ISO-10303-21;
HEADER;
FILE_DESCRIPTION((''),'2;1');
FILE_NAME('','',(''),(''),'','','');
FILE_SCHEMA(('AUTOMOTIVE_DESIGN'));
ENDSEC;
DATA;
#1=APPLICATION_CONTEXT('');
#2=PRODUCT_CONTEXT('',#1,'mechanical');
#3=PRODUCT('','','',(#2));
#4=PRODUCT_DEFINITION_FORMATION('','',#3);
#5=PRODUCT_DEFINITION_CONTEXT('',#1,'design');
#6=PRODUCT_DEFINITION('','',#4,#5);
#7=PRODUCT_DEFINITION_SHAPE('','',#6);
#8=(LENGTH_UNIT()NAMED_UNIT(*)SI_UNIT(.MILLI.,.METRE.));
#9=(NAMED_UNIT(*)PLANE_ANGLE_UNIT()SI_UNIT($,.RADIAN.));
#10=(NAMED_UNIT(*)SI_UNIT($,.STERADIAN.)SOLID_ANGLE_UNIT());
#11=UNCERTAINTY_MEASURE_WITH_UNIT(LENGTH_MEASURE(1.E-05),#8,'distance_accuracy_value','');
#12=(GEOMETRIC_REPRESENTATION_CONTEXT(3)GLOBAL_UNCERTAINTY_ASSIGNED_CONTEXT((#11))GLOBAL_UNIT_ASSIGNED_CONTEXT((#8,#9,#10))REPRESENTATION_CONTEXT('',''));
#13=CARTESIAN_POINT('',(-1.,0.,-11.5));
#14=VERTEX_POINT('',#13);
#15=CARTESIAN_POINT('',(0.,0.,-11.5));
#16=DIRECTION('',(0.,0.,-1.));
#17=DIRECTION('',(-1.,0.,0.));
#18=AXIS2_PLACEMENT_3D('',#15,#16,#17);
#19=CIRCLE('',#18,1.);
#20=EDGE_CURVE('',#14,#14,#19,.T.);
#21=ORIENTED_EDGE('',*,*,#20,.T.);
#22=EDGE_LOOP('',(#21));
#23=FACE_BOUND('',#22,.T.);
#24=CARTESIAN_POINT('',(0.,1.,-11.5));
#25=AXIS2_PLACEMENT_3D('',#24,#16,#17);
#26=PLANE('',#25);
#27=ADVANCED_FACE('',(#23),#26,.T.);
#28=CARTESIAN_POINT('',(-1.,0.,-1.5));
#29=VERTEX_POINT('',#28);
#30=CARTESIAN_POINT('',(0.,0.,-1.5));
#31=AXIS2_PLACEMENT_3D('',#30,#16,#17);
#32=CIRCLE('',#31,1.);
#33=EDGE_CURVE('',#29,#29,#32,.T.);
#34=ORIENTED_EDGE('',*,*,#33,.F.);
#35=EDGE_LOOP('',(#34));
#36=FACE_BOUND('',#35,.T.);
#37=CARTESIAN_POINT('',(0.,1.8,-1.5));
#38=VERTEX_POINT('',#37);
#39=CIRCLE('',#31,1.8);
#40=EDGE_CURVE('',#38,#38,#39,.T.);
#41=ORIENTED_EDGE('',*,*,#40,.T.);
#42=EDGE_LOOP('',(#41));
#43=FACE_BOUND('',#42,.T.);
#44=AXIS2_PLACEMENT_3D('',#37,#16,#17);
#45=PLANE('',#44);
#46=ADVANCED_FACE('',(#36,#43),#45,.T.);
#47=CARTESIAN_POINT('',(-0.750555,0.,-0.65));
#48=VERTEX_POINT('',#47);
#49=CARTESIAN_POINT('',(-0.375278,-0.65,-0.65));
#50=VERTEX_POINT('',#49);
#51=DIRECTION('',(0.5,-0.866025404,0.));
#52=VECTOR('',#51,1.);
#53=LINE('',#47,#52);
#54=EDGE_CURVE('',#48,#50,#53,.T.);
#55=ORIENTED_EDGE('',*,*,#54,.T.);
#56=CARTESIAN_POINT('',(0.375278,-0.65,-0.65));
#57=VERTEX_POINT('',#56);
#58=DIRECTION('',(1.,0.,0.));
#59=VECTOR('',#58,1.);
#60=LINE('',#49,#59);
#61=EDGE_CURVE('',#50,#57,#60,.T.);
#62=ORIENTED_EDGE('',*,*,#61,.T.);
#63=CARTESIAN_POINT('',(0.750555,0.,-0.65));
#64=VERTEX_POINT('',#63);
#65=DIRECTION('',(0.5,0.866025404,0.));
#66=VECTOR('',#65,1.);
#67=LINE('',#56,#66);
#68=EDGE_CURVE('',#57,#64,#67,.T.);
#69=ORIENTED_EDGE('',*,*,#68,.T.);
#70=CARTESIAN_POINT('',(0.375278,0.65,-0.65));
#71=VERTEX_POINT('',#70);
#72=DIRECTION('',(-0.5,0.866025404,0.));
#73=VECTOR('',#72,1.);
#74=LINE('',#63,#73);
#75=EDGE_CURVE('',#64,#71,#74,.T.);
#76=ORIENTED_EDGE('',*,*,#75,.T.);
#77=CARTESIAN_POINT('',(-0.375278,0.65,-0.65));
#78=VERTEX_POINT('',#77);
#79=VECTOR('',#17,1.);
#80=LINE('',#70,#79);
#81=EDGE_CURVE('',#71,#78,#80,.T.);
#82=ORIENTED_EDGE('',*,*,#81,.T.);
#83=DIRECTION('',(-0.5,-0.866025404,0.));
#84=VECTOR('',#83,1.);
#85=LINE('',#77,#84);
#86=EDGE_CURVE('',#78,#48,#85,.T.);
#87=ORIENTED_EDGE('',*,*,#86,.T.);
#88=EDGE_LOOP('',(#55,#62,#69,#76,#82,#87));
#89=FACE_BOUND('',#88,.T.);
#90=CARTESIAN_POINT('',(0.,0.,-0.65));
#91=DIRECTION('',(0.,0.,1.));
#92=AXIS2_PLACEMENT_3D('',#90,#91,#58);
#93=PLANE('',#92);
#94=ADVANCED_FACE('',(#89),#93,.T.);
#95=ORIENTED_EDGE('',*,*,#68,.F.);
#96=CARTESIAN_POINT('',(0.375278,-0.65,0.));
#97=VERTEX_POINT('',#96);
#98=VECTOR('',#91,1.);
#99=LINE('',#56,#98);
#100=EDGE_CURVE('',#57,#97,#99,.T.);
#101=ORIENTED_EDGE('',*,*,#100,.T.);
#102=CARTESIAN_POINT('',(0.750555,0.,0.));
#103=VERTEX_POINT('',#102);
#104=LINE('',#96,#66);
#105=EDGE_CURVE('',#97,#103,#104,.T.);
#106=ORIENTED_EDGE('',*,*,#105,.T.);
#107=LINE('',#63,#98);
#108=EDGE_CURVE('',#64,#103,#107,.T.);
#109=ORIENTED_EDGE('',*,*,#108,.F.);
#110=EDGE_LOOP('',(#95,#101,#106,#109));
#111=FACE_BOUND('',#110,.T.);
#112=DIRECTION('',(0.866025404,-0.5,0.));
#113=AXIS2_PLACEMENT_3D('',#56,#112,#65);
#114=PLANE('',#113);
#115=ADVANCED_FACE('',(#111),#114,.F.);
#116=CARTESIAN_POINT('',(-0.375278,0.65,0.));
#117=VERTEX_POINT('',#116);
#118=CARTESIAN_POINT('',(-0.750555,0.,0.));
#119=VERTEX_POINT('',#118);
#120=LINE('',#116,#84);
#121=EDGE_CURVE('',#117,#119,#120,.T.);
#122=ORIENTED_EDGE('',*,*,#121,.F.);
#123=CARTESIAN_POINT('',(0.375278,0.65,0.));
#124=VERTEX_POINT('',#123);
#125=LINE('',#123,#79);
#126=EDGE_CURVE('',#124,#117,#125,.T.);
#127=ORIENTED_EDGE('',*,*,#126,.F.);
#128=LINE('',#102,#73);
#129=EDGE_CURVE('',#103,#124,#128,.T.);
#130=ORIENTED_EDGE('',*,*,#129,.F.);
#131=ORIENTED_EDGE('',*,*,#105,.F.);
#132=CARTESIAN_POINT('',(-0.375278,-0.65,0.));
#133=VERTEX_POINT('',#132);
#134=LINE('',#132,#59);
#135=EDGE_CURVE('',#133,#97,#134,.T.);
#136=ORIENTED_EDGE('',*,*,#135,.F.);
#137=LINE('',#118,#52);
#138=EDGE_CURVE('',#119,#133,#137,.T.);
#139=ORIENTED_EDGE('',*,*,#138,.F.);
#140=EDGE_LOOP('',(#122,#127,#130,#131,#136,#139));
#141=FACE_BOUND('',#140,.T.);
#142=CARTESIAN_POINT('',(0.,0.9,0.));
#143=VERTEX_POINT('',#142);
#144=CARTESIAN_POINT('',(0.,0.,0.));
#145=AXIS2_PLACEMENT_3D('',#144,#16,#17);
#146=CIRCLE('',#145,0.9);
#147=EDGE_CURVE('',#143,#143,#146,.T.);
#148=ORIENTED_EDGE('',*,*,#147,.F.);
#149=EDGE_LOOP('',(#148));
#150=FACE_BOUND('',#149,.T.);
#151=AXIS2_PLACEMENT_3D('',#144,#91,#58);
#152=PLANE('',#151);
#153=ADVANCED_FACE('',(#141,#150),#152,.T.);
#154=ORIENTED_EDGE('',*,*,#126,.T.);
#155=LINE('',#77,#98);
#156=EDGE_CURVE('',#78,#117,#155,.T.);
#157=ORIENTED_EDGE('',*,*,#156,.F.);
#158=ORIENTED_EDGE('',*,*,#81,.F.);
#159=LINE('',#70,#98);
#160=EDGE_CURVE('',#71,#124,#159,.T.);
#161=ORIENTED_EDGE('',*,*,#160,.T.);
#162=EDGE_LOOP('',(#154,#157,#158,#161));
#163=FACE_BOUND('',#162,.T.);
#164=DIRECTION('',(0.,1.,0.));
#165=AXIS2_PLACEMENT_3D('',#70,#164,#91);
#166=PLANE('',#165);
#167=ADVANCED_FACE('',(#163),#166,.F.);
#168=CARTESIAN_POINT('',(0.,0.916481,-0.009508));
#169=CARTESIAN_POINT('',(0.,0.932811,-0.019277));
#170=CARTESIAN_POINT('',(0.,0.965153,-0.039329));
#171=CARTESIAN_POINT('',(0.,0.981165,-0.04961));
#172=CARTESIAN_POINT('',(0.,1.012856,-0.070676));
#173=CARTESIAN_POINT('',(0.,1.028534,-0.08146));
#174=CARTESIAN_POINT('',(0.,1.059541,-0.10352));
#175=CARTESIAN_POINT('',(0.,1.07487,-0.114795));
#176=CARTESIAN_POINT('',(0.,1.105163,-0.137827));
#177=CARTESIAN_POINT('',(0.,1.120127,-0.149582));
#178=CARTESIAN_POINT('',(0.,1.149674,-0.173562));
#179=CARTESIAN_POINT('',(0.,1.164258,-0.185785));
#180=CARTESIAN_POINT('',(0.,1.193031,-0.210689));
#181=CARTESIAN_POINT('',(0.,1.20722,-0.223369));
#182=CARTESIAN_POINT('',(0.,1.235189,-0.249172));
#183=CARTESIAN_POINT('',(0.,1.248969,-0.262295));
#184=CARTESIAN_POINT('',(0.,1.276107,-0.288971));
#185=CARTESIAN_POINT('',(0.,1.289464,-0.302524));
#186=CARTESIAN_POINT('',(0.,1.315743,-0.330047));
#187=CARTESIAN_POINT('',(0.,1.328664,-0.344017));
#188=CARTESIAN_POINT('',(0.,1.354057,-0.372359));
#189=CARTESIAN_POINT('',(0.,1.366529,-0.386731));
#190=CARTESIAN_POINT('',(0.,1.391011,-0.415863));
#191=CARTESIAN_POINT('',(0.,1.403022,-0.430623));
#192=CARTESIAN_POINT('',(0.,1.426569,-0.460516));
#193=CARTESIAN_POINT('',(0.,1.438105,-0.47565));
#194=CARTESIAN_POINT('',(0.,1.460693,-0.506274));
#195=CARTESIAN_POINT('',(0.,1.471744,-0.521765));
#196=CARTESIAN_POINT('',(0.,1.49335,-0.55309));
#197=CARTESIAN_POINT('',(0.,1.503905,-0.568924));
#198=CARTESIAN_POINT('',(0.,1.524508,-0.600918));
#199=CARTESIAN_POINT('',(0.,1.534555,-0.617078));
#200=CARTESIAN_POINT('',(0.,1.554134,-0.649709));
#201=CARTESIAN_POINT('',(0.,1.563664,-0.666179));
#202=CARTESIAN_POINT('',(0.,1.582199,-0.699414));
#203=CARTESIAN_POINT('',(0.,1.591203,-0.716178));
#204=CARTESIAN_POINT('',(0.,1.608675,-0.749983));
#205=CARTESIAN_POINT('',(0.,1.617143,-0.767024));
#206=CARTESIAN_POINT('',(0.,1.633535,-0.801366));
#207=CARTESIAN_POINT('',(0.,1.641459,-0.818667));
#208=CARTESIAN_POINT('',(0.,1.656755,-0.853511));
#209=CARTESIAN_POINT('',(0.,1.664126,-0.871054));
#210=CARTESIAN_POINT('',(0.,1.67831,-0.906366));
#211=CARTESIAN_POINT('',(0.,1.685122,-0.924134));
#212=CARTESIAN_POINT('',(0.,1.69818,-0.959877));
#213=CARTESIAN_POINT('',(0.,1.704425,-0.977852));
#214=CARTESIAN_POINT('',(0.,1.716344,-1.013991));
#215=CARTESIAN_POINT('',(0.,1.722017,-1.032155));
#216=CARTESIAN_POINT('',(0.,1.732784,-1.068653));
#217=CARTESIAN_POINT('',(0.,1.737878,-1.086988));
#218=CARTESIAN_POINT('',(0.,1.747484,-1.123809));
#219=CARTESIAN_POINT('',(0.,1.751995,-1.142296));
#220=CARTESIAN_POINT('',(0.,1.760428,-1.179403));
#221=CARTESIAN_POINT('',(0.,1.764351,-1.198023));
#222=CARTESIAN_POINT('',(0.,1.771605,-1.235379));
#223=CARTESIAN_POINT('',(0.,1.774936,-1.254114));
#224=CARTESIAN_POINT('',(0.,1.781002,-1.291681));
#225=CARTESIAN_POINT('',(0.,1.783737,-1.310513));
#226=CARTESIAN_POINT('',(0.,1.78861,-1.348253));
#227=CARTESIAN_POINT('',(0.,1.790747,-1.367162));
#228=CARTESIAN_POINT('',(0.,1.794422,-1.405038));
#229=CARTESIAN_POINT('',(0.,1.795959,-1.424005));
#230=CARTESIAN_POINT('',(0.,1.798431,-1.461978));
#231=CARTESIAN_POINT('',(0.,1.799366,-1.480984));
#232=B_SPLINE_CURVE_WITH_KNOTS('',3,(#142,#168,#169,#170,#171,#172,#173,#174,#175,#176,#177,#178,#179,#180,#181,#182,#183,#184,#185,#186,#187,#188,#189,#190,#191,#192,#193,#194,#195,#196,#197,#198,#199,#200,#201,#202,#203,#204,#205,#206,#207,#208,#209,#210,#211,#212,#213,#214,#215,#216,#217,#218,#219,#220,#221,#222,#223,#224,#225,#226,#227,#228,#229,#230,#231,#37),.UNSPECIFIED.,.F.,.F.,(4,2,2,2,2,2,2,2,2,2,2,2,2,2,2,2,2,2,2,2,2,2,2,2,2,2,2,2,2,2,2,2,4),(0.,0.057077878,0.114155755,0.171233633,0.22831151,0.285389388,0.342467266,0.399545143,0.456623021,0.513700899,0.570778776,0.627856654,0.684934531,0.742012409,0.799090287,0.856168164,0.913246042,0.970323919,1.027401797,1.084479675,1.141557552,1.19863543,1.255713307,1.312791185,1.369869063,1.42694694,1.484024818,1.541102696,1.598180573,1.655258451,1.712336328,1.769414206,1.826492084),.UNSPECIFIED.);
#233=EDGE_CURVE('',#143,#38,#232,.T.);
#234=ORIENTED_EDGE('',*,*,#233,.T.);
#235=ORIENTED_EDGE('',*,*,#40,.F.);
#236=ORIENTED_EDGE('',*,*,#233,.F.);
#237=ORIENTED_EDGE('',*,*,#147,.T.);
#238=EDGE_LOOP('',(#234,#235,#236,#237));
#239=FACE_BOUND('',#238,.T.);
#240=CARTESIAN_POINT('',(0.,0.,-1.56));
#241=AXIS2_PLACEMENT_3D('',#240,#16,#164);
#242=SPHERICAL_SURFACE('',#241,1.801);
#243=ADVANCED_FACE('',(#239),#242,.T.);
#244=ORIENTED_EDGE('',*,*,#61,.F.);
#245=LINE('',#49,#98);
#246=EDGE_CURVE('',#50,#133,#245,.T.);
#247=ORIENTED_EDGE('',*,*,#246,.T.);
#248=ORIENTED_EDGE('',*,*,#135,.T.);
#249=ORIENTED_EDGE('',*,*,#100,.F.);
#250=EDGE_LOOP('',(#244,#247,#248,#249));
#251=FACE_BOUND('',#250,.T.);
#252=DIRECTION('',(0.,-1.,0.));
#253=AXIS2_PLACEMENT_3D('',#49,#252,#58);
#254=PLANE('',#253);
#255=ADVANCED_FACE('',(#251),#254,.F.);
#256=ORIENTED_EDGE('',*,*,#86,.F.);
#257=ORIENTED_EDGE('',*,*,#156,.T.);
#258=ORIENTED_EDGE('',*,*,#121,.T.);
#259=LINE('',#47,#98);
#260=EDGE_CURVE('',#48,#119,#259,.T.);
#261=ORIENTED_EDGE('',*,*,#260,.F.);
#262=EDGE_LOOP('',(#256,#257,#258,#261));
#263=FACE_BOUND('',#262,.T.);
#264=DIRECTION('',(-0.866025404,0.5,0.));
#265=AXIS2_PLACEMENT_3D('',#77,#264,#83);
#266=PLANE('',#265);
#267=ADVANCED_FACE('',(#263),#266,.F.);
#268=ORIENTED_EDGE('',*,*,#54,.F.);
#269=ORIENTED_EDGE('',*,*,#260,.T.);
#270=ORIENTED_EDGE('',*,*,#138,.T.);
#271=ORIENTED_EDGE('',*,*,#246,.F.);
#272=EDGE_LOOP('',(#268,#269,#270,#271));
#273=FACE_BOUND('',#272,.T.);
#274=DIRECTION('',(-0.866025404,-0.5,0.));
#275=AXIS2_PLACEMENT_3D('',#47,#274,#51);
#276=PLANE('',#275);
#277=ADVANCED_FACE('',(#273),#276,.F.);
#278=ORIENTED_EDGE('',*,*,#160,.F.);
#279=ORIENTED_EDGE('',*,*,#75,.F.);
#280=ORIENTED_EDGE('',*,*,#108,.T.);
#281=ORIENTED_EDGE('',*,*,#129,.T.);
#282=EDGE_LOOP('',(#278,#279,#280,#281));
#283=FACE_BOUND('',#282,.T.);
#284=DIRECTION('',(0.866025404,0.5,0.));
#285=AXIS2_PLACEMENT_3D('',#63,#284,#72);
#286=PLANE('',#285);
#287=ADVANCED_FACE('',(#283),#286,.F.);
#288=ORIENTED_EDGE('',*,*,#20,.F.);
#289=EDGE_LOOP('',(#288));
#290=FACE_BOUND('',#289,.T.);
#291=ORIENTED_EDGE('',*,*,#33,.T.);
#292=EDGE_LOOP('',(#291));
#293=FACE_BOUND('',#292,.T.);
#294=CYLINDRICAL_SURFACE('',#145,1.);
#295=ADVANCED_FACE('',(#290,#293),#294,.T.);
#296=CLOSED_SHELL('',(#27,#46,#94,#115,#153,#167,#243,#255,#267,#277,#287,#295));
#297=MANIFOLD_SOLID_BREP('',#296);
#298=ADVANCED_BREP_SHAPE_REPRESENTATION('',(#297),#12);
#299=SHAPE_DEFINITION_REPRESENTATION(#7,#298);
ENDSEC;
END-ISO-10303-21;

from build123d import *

# Parameters (mm, degrees)
CUT_EXTRUDE_1_DEPTH = 0.65


with BuildPart() as part:
    # 草图1 → 旋转1 (revolve)
    with BuildSketch(Plane(origin=(0, 0, 0), x_dir=(0, 0, -1), z_dir=(1, 0, 0))):
        with BuildLine():
            Line((0, 0), (0, 0.9))
            ThreePointArc((0, 0.9), (0.633393287, 1.544344521), (1.5, 1.8))
            Line((1.5, 1.8), (1.5, 1))
            Line((1.5, 1), (11.5, 1))
            Line((11.5, 1), (11.5, 0))
            Line((11.5, 0), (0, 0))
        make_face()
    revolve(axis=Axis((0, 0, 0), (0, 0, 1)))

    # 草图2 → 切除-拉伸1 (cut)
    with BuildSketch(Plane.XY):
        Polygon((0.75055535, 0), (0.375277675, 0.65), (-0.375277675, 0.65), (-0.75055535, 0), (-0.375277675, -0.65), (0.375277675, -0.65), align=None)
    extrude(amount=-CUT_EXTRUDE_1_DEPTH, mode=Mode.SUBTRACT)


solid = part.part
